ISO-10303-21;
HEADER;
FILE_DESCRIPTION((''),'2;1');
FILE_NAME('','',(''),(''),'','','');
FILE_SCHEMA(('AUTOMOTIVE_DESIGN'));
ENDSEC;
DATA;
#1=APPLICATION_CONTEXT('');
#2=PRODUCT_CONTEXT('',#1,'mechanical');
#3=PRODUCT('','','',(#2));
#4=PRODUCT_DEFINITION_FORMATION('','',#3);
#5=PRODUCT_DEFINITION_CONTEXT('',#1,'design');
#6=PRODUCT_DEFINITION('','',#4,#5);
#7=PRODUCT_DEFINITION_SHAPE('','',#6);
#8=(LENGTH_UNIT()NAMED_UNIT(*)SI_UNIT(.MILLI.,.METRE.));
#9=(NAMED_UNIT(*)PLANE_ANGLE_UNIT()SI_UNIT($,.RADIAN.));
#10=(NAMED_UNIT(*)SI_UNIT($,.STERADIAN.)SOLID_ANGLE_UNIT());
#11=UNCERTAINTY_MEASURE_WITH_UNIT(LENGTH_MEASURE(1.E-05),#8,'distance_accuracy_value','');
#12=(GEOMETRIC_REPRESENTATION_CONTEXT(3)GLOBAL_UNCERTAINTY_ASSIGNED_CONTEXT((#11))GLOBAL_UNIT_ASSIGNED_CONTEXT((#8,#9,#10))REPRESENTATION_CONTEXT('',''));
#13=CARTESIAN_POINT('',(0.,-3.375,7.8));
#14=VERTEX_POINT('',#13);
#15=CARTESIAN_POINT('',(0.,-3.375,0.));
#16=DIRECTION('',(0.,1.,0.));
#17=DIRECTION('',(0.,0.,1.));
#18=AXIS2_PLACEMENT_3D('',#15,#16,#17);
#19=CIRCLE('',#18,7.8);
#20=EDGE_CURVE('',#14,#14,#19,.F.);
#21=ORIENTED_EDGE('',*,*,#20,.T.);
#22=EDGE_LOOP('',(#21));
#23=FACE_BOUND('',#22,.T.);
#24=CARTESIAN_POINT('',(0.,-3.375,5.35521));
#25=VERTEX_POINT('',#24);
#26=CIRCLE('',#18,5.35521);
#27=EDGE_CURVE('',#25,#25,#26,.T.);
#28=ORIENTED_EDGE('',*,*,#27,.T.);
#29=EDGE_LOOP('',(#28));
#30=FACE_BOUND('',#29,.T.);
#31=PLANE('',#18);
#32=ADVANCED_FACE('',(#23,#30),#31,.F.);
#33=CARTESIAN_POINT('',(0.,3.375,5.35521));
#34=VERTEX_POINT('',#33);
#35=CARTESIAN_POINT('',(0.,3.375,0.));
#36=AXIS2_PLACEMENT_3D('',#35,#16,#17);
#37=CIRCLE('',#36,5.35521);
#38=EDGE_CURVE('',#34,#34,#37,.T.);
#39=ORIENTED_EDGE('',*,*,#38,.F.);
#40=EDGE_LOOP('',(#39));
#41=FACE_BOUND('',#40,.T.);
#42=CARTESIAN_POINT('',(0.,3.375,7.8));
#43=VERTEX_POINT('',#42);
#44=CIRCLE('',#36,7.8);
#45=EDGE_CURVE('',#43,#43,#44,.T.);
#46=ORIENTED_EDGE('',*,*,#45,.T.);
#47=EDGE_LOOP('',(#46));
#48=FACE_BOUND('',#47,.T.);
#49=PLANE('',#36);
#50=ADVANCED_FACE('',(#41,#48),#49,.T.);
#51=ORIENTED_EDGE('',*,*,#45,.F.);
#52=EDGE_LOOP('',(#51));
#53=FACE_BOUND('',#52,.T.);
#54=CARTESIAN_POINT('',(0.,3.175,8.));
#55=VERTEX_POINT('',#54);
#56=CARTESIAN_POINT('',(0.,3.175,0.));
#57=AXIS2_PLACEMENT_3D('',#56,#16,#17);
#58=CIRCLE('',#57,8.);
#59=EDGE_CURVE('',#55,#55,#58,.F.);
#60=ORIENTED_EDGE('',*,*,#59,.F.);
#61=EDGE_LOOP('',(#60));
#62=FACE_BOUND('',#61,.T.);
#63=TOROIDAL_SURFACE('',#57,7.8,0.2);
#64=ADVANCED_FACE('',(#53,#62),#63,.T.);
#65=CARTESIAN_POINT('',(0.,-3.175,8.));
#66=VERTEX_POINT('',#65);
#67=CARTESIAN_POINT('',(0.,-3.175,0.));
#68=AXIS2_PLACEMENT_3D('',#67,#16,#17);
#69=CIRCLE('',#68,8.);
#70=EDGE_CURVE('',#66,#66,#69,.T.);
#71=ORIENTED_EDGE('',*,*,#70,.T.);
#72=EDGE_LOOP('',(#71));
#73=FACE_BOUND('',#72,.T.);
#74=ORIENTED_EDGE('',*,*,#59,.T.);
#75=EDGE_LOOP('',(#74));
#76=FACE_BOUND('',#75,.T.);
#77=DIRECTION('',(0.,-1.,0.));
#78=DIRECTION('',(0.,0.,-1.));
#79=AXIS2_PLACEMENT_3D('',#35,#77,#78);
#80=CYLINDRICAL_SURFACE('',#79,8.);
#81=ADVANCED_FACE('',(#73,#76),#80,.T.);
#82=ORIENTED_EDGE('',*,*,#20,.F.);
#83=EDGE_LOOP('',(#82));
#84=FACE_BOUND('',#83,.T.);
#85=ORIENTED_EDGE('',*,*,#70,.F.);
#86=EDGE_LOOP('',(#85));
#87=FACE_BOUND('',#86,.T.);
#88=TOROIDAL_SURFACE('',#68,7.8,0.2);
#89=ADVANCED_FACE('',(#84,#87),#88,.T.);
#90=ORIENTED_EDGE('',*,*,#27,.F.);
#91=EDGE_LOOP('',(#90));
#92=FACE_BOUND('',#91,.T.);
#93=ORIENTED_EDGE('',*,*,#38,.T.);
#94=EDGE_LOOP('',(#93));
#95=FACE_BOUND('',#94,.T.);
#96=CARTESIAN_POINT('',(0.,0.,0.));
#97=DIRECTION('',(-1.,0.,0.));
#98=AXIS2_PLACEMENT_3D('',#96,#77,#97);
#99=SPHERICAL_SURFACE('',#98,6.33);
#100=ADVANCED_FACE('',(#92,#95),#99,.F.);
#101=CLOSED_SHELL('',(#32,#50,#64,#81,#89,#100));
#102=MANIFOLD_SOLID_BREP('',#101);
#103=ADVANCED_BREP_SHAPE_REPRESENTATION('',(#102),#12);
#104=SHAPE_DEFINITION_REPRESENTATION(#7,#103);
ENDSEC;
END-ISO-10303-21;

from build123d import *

# Parameters (mm, degrees)
SZKIC1_R                    = 8
DODANIE_WYCI_GNI_CIE1_DEPTH = 3.375
ZAOKR_GLENIE1_R             = 0.2


with BuildPart() as part:
    # Szkic1 → Dodanie-wyciągnięcie1 (new body, symmetric)
    with BuildSketch(Plane(origin=(0, 0, 0), x_dir=(1, 0, 0), z_dir=(0, 1, 0))):
        Circle(SZKIC1_R)
    extrude(amount=DODANIE_WYCI_GNI_CIE1_DEPTH, both=True)

    # Szkic3 → Wycięcie-obrót1 (revolve, cut)
    with BuildSketch(Plane.XY):
        with BuildLine():
            Line((0, -6.33), (0, 6.33))
            ThreePointArc((0, 6.33), (6.33, 0), (0, -6.33))
        make_face()
    revolve(axis=Axis((0, -6.33, 0), (0, 1, 0)), mode=Mode.SUBTRACT)

    # Zaokrąglenie1
    zaokr_glenie1_edges = [part.edges().sort_by_distance(p)[0] for p in [
        (-8, -3.375, 0),
        (-8, 3.375, 0),
    ]]
    fillet(zaokr_glenie1_edges, radius=ZAOKR_GLENIE1_R)


solid = part.part
